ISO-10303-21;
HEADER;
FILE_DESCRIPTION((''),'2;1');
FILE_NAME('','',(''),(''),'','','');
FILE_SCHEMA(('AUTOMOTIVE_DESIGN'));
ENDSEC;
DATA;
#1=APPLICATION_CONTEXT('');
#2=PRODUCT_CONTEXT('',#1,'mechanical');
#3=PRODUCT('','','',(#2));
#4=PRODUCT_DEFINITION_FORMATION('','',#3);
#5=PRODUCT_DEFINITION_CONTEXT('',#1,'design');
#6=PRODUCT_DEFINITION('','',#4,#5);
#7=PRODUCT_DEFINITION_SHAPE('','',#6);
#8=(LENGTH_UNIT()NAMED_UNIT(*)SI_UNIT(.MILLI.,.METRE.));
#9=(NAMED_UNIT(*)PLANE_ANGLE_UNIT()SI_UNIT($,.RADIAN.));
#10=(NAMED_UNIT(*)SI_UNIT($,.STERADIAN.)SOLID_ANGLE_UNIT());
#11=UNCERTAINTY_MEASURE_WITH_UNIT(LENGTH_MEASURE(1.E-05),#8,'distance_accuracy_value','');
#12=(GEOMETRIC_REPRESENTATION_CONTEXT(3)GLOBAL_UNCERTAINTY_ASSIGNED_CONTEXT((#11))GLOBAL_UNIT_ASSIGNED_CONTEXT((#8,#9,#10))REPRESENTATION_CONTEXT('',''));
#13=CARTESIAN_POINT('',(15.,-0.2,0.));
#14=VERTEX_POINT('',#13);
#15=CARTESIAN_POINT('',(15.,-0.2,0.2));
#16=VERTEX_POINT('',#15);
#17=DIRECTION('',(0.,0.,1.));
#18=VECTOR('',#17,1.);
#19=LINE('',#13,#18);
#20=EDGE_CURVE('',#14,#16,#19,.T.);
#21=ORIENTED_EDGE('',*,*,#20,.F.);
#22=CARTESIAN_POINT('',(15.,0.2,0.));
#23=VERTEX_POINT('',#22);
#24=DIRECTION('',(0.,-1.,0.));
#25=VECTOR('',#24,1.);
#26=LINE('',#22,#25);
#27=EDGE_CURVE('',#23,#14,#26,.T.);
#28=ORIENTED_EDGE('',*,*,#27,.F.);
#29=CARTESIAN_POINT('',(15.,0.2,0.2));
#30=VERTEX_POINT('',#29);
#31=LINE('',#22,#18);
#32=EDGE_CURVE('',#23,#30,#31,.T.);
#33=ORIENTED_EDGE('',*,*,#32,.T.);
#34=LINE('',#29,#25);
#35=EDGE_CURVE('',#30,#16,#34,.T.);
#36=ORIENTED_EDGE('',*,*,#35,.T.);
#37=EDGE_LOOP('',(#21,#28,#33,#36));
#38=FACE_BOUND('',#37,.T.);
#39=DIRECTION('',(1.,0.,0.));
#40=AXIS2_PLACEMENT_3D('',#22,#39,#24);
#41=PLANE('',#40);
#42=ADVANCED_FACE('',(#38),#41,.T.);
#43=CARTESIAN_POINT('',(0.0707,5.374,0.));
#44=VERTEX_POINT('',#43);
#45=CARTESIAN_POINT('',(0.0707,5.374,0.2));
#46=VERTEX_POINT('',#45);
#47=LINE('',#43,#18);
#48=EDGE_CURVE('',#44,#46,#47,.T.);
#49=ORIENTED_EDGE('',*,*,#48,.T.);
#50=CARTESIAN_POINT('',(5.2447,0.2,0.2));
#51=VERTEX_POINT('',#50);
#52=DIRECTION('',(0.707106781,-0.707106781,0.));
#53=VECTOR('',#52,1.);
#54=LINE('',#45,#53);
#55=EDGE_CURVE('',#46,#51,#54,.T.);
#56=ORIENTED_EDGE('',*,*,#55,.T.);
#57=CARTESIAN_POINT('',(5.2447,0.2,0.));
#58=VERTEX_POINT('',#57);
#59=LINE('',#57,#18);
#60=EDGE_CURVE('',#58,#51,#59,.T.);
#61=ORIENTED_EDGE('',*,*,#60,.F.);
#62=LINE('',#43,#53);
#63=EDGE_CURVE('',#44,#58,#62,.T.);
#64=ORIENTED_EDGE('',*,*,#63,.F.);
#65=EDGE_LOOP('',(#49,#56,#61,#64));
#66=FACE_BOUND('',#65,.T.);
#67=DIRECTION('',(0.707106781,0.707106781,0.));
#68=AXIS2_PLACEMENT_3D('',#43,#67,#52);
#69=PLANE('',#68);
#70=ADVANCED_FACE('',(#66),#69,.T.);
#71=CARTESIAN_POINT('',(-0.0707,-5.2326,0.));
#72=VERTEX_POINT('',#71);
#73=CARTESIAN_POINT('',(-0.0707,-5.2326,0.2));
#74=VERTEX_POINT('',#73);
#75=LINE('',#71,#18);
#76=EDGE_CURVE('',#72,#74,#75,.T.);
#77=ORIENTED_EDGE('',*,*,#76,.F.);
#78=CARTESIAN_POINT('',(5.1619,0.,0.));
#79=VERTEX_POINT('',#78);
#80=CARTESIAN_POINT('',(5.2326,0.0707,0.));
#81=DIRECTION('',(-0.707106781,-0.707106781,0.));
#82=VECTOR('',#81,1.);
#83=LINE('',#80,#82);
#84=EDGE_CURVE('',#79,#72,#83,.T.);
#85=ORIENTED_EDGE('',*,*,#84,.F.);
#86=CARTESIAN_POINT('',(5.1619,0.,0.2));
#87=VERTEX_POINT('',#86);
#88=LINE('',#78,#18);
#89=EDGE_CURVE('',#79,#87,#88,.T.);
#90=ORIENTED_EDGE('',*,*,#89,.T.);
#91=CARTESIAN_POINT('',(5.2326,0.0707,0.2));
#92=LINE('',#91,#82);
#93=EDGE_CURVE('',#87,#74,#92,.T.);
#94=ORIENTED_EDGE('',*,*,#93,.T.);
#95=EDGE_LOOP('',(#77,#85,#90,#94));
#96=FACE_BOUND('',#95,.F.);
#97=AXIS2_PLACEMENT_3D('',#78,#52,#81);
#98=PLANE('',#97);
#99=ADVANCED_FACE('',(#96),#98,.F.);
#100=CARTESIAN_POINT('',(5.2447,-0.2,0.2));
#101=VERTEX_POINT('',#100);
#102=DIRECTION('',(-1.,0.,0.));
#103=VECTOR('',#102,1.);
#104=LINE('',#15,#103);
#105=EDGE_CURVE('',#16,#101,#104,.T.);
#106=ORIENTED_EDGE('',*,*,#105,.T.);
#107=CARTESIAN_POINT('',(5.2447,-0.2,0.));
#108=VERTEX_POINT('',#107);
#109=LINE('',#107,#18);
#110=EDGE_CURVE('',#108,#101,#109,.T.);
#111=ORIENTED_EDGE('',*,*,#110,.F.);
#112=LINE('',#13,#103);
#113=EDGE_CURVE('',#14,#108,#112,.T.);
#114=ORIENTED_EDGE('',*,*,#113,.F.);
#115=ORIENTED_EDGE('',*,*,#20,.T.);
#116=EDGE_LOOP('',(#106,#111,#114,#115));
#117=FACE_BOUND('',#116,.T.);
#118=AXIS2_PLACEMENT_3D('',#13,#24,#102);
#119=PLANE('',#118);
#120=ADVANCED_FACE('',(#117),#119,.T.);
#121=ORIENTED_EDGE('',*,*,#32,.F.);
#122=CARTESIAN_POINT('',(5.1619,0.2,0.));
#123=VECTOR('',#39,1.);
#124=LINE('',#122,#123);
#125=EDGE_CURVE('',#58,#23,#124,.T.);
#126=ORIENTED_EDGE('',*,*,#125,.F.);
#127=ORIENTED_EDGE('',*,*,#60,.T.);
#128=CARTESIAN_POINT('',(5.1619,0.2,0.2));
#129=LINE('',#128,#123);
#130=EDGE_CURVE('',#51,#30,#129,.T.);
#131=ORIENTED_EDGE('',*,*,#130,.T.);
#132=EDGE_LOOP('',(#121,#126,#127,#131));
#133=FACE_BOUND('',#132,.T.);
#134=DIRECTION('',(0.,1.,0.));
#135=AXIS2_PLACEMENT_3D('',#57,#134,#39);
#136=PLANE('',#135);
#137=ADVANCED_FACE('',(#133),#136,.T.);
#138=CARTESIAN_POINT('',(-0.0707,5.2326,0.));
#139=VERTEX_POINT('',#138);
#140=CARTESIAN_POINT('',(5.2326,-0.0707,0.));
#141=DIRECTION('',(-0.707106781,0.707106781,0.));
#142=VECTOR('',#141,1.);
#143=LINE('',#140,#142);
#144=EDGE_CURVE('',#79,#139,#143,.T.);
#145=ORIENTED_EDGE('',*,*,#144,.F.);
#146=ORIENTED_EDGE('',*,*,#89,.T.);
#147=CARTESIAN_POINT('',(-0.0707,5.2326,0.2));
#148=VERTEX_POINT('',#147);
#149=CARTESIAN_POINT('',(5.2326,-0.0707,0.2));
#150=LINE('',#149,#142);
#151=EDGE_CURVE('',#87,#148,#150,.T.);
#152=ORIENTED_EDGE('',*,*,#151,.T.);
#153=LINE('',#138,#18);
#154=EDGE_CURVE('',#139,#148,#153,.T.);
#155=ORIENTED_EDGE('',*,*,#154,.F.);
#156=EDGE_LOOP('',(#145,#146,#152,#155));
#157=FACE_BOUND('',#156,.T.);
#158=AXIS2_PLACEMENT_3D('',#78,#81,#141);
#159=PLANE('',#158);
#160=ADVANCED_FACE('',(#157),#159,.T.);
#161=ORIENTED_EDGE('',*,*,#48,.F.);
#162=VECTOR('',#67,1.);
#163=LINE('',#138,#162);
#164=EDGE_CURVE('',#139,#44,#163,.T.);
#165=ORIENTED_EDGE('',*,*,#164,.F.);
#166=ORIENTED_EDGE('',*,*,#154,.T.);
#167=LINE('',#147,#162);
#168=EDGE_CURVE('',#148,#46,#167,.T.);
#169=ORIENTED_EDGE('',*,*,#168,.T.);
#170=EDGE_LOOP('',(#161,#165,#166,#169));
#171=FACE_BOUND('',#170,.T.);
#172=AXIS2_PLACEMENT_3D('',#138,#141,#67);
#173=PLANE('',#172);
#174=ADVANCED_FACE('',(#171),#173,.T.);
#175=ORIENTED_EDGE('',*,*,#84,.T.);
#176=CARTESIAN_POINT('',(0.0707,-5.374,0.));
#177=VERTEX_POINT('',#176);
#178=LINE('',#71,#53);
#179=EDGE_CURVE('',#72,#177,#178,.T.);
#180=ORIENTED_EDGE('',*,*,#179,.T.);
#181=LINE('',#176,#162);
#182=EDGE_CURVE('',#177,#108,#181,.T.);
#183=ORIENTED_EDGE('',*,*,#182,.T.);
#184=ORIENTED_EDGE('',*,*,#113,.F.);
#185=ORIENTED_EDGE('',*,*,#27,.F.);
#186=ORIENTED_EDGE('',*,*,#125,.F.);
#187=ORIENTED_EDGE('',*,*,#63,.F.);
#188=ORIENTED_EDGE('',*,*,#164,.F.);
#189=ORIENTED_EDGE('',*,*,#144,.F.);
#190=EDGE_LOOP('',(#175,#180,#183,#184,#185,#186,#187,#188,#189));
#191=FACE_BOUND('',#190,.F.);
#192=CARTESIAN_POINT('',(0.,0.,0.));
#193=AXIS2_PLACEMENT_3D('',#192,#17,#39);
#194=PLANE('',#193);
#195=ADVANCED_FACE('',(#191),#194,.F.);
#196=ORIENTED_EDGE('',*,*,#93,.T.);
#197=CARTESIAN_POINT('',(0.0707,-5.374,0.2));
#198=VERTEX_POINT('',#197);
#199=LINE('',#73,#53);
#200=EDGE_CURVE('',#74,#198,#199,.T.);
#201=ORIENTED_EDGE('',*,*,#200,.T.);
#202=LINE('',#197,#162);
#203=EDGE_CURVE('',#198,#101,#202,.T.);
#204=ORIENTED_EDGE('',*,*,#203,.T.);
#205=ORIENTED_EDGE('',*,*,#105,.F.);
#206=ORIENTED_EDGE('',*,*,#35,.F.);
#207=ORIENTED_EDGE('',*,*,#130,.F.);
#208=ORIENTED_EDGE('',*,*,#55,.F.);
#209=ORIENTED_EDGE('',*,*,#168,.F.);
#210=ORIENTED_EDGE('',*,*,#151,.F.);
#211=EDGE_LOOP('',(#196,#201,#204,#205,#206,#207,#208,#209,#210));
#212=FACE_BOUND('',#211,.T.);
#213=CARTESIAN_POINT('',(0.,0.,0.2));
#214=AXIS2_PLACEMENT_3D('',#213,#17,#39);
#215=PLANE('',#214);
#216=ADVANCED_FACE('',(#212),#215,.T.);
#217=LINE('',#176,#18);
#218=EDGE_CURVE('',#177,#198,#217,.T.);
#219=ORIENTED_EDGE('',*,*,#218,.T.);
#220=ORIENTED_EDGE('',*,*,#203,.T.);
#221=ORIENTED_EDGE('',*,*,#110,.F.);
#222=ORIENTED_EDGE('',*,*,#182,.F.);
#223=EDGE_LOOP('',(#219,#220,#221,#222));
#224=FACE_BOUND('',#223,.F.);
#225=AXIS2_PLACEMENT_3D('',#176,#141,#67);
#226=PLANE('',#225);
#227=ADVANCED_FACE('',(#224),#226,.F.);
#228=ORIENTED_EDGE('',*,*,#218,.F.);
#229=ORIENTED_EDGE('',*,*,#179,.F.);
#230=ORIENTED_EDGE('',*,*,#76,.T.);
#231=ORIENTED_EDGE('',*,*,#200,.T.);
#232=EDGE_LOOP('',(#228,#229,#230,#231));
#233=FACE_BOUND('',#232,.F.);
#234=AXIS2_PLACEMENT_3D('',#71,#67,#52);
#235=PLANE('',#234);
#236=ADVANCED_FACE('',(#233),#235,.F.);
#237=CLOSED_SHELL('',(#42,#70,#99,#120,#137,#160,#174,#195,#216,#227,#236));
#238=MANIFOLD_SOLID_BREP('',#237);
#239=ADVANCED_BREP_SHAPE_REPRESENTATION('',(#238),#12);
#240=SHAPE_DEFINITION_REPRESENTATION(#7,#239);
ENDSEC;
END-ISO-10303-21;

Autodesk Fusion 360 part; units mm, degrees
sketch "Sketch1" plane through (0, 0, 0) normal (0, 0, 1) x (1, 0, 0)
  line L0 (0.0707, 5.374) -> (5.374, 0.0707)
  line L1 (5.374, 0.0707) -> (5.2326, -0.0707)
  line L2 (5.2326, -0.0707) -> (-0.0707, 5.2326)
  line L3 (-0.0707, 5.2326) -> (0.0707, 5.374)
  line L4 (0, 0) -> (25, 0) construction
  line L5 (0.0707, -5.374) -> (5.374, -0.0707)
  line L6 (-0.0707, -5.2326) -> (0.0707, -5.374)
  line L7 (5.2326, 0.0707) -> (-0.0707, -5.2326)
  line L8 (5.374, -0.0707) -> (5.2326, 0.0707)
  line L9 (5.1619, 0.2) -> (15, 0.2)
  line L10 (15, 0.2) -> (15, -0.2)
  line L11 (15, -0.2) -> (5.1619, -0.2)
  line L12 (5.1619, -0.2) -> (5.1619, 0.2)
  line L13 (0, -5.3033) -> (0, 5.3033) construction
  point P0 (0, 5.3033)
  point P1 (0, -5.3033)
  point P2 (5.3033, 0)
  point P3 (5.1619, 0)
  dimension "d39" = 25
  dimension "d40" = 0.2
  dimension "d41" = 45
  dimension "d42" = 0.4
  dimension "d46" = 15
  dimension "d48" = 7.5
extrude "Extrude1" add sketch "Sketch1" along normal blind 0.2
equation "d1001 = depth"
equation "channelwidth = 0.2 mm"
equation "depth = 0.2 mm"
equation "length = 15 mm"
equation "d40 = channelwidth"
equation "d41 = angle"
equation "d42 = channelwidth * 2"
equation "angle = 45 deg"
equation "d46 = length"
equation "d48 = length / 2"
equation "combinedwidth = channelwidth * 2"
